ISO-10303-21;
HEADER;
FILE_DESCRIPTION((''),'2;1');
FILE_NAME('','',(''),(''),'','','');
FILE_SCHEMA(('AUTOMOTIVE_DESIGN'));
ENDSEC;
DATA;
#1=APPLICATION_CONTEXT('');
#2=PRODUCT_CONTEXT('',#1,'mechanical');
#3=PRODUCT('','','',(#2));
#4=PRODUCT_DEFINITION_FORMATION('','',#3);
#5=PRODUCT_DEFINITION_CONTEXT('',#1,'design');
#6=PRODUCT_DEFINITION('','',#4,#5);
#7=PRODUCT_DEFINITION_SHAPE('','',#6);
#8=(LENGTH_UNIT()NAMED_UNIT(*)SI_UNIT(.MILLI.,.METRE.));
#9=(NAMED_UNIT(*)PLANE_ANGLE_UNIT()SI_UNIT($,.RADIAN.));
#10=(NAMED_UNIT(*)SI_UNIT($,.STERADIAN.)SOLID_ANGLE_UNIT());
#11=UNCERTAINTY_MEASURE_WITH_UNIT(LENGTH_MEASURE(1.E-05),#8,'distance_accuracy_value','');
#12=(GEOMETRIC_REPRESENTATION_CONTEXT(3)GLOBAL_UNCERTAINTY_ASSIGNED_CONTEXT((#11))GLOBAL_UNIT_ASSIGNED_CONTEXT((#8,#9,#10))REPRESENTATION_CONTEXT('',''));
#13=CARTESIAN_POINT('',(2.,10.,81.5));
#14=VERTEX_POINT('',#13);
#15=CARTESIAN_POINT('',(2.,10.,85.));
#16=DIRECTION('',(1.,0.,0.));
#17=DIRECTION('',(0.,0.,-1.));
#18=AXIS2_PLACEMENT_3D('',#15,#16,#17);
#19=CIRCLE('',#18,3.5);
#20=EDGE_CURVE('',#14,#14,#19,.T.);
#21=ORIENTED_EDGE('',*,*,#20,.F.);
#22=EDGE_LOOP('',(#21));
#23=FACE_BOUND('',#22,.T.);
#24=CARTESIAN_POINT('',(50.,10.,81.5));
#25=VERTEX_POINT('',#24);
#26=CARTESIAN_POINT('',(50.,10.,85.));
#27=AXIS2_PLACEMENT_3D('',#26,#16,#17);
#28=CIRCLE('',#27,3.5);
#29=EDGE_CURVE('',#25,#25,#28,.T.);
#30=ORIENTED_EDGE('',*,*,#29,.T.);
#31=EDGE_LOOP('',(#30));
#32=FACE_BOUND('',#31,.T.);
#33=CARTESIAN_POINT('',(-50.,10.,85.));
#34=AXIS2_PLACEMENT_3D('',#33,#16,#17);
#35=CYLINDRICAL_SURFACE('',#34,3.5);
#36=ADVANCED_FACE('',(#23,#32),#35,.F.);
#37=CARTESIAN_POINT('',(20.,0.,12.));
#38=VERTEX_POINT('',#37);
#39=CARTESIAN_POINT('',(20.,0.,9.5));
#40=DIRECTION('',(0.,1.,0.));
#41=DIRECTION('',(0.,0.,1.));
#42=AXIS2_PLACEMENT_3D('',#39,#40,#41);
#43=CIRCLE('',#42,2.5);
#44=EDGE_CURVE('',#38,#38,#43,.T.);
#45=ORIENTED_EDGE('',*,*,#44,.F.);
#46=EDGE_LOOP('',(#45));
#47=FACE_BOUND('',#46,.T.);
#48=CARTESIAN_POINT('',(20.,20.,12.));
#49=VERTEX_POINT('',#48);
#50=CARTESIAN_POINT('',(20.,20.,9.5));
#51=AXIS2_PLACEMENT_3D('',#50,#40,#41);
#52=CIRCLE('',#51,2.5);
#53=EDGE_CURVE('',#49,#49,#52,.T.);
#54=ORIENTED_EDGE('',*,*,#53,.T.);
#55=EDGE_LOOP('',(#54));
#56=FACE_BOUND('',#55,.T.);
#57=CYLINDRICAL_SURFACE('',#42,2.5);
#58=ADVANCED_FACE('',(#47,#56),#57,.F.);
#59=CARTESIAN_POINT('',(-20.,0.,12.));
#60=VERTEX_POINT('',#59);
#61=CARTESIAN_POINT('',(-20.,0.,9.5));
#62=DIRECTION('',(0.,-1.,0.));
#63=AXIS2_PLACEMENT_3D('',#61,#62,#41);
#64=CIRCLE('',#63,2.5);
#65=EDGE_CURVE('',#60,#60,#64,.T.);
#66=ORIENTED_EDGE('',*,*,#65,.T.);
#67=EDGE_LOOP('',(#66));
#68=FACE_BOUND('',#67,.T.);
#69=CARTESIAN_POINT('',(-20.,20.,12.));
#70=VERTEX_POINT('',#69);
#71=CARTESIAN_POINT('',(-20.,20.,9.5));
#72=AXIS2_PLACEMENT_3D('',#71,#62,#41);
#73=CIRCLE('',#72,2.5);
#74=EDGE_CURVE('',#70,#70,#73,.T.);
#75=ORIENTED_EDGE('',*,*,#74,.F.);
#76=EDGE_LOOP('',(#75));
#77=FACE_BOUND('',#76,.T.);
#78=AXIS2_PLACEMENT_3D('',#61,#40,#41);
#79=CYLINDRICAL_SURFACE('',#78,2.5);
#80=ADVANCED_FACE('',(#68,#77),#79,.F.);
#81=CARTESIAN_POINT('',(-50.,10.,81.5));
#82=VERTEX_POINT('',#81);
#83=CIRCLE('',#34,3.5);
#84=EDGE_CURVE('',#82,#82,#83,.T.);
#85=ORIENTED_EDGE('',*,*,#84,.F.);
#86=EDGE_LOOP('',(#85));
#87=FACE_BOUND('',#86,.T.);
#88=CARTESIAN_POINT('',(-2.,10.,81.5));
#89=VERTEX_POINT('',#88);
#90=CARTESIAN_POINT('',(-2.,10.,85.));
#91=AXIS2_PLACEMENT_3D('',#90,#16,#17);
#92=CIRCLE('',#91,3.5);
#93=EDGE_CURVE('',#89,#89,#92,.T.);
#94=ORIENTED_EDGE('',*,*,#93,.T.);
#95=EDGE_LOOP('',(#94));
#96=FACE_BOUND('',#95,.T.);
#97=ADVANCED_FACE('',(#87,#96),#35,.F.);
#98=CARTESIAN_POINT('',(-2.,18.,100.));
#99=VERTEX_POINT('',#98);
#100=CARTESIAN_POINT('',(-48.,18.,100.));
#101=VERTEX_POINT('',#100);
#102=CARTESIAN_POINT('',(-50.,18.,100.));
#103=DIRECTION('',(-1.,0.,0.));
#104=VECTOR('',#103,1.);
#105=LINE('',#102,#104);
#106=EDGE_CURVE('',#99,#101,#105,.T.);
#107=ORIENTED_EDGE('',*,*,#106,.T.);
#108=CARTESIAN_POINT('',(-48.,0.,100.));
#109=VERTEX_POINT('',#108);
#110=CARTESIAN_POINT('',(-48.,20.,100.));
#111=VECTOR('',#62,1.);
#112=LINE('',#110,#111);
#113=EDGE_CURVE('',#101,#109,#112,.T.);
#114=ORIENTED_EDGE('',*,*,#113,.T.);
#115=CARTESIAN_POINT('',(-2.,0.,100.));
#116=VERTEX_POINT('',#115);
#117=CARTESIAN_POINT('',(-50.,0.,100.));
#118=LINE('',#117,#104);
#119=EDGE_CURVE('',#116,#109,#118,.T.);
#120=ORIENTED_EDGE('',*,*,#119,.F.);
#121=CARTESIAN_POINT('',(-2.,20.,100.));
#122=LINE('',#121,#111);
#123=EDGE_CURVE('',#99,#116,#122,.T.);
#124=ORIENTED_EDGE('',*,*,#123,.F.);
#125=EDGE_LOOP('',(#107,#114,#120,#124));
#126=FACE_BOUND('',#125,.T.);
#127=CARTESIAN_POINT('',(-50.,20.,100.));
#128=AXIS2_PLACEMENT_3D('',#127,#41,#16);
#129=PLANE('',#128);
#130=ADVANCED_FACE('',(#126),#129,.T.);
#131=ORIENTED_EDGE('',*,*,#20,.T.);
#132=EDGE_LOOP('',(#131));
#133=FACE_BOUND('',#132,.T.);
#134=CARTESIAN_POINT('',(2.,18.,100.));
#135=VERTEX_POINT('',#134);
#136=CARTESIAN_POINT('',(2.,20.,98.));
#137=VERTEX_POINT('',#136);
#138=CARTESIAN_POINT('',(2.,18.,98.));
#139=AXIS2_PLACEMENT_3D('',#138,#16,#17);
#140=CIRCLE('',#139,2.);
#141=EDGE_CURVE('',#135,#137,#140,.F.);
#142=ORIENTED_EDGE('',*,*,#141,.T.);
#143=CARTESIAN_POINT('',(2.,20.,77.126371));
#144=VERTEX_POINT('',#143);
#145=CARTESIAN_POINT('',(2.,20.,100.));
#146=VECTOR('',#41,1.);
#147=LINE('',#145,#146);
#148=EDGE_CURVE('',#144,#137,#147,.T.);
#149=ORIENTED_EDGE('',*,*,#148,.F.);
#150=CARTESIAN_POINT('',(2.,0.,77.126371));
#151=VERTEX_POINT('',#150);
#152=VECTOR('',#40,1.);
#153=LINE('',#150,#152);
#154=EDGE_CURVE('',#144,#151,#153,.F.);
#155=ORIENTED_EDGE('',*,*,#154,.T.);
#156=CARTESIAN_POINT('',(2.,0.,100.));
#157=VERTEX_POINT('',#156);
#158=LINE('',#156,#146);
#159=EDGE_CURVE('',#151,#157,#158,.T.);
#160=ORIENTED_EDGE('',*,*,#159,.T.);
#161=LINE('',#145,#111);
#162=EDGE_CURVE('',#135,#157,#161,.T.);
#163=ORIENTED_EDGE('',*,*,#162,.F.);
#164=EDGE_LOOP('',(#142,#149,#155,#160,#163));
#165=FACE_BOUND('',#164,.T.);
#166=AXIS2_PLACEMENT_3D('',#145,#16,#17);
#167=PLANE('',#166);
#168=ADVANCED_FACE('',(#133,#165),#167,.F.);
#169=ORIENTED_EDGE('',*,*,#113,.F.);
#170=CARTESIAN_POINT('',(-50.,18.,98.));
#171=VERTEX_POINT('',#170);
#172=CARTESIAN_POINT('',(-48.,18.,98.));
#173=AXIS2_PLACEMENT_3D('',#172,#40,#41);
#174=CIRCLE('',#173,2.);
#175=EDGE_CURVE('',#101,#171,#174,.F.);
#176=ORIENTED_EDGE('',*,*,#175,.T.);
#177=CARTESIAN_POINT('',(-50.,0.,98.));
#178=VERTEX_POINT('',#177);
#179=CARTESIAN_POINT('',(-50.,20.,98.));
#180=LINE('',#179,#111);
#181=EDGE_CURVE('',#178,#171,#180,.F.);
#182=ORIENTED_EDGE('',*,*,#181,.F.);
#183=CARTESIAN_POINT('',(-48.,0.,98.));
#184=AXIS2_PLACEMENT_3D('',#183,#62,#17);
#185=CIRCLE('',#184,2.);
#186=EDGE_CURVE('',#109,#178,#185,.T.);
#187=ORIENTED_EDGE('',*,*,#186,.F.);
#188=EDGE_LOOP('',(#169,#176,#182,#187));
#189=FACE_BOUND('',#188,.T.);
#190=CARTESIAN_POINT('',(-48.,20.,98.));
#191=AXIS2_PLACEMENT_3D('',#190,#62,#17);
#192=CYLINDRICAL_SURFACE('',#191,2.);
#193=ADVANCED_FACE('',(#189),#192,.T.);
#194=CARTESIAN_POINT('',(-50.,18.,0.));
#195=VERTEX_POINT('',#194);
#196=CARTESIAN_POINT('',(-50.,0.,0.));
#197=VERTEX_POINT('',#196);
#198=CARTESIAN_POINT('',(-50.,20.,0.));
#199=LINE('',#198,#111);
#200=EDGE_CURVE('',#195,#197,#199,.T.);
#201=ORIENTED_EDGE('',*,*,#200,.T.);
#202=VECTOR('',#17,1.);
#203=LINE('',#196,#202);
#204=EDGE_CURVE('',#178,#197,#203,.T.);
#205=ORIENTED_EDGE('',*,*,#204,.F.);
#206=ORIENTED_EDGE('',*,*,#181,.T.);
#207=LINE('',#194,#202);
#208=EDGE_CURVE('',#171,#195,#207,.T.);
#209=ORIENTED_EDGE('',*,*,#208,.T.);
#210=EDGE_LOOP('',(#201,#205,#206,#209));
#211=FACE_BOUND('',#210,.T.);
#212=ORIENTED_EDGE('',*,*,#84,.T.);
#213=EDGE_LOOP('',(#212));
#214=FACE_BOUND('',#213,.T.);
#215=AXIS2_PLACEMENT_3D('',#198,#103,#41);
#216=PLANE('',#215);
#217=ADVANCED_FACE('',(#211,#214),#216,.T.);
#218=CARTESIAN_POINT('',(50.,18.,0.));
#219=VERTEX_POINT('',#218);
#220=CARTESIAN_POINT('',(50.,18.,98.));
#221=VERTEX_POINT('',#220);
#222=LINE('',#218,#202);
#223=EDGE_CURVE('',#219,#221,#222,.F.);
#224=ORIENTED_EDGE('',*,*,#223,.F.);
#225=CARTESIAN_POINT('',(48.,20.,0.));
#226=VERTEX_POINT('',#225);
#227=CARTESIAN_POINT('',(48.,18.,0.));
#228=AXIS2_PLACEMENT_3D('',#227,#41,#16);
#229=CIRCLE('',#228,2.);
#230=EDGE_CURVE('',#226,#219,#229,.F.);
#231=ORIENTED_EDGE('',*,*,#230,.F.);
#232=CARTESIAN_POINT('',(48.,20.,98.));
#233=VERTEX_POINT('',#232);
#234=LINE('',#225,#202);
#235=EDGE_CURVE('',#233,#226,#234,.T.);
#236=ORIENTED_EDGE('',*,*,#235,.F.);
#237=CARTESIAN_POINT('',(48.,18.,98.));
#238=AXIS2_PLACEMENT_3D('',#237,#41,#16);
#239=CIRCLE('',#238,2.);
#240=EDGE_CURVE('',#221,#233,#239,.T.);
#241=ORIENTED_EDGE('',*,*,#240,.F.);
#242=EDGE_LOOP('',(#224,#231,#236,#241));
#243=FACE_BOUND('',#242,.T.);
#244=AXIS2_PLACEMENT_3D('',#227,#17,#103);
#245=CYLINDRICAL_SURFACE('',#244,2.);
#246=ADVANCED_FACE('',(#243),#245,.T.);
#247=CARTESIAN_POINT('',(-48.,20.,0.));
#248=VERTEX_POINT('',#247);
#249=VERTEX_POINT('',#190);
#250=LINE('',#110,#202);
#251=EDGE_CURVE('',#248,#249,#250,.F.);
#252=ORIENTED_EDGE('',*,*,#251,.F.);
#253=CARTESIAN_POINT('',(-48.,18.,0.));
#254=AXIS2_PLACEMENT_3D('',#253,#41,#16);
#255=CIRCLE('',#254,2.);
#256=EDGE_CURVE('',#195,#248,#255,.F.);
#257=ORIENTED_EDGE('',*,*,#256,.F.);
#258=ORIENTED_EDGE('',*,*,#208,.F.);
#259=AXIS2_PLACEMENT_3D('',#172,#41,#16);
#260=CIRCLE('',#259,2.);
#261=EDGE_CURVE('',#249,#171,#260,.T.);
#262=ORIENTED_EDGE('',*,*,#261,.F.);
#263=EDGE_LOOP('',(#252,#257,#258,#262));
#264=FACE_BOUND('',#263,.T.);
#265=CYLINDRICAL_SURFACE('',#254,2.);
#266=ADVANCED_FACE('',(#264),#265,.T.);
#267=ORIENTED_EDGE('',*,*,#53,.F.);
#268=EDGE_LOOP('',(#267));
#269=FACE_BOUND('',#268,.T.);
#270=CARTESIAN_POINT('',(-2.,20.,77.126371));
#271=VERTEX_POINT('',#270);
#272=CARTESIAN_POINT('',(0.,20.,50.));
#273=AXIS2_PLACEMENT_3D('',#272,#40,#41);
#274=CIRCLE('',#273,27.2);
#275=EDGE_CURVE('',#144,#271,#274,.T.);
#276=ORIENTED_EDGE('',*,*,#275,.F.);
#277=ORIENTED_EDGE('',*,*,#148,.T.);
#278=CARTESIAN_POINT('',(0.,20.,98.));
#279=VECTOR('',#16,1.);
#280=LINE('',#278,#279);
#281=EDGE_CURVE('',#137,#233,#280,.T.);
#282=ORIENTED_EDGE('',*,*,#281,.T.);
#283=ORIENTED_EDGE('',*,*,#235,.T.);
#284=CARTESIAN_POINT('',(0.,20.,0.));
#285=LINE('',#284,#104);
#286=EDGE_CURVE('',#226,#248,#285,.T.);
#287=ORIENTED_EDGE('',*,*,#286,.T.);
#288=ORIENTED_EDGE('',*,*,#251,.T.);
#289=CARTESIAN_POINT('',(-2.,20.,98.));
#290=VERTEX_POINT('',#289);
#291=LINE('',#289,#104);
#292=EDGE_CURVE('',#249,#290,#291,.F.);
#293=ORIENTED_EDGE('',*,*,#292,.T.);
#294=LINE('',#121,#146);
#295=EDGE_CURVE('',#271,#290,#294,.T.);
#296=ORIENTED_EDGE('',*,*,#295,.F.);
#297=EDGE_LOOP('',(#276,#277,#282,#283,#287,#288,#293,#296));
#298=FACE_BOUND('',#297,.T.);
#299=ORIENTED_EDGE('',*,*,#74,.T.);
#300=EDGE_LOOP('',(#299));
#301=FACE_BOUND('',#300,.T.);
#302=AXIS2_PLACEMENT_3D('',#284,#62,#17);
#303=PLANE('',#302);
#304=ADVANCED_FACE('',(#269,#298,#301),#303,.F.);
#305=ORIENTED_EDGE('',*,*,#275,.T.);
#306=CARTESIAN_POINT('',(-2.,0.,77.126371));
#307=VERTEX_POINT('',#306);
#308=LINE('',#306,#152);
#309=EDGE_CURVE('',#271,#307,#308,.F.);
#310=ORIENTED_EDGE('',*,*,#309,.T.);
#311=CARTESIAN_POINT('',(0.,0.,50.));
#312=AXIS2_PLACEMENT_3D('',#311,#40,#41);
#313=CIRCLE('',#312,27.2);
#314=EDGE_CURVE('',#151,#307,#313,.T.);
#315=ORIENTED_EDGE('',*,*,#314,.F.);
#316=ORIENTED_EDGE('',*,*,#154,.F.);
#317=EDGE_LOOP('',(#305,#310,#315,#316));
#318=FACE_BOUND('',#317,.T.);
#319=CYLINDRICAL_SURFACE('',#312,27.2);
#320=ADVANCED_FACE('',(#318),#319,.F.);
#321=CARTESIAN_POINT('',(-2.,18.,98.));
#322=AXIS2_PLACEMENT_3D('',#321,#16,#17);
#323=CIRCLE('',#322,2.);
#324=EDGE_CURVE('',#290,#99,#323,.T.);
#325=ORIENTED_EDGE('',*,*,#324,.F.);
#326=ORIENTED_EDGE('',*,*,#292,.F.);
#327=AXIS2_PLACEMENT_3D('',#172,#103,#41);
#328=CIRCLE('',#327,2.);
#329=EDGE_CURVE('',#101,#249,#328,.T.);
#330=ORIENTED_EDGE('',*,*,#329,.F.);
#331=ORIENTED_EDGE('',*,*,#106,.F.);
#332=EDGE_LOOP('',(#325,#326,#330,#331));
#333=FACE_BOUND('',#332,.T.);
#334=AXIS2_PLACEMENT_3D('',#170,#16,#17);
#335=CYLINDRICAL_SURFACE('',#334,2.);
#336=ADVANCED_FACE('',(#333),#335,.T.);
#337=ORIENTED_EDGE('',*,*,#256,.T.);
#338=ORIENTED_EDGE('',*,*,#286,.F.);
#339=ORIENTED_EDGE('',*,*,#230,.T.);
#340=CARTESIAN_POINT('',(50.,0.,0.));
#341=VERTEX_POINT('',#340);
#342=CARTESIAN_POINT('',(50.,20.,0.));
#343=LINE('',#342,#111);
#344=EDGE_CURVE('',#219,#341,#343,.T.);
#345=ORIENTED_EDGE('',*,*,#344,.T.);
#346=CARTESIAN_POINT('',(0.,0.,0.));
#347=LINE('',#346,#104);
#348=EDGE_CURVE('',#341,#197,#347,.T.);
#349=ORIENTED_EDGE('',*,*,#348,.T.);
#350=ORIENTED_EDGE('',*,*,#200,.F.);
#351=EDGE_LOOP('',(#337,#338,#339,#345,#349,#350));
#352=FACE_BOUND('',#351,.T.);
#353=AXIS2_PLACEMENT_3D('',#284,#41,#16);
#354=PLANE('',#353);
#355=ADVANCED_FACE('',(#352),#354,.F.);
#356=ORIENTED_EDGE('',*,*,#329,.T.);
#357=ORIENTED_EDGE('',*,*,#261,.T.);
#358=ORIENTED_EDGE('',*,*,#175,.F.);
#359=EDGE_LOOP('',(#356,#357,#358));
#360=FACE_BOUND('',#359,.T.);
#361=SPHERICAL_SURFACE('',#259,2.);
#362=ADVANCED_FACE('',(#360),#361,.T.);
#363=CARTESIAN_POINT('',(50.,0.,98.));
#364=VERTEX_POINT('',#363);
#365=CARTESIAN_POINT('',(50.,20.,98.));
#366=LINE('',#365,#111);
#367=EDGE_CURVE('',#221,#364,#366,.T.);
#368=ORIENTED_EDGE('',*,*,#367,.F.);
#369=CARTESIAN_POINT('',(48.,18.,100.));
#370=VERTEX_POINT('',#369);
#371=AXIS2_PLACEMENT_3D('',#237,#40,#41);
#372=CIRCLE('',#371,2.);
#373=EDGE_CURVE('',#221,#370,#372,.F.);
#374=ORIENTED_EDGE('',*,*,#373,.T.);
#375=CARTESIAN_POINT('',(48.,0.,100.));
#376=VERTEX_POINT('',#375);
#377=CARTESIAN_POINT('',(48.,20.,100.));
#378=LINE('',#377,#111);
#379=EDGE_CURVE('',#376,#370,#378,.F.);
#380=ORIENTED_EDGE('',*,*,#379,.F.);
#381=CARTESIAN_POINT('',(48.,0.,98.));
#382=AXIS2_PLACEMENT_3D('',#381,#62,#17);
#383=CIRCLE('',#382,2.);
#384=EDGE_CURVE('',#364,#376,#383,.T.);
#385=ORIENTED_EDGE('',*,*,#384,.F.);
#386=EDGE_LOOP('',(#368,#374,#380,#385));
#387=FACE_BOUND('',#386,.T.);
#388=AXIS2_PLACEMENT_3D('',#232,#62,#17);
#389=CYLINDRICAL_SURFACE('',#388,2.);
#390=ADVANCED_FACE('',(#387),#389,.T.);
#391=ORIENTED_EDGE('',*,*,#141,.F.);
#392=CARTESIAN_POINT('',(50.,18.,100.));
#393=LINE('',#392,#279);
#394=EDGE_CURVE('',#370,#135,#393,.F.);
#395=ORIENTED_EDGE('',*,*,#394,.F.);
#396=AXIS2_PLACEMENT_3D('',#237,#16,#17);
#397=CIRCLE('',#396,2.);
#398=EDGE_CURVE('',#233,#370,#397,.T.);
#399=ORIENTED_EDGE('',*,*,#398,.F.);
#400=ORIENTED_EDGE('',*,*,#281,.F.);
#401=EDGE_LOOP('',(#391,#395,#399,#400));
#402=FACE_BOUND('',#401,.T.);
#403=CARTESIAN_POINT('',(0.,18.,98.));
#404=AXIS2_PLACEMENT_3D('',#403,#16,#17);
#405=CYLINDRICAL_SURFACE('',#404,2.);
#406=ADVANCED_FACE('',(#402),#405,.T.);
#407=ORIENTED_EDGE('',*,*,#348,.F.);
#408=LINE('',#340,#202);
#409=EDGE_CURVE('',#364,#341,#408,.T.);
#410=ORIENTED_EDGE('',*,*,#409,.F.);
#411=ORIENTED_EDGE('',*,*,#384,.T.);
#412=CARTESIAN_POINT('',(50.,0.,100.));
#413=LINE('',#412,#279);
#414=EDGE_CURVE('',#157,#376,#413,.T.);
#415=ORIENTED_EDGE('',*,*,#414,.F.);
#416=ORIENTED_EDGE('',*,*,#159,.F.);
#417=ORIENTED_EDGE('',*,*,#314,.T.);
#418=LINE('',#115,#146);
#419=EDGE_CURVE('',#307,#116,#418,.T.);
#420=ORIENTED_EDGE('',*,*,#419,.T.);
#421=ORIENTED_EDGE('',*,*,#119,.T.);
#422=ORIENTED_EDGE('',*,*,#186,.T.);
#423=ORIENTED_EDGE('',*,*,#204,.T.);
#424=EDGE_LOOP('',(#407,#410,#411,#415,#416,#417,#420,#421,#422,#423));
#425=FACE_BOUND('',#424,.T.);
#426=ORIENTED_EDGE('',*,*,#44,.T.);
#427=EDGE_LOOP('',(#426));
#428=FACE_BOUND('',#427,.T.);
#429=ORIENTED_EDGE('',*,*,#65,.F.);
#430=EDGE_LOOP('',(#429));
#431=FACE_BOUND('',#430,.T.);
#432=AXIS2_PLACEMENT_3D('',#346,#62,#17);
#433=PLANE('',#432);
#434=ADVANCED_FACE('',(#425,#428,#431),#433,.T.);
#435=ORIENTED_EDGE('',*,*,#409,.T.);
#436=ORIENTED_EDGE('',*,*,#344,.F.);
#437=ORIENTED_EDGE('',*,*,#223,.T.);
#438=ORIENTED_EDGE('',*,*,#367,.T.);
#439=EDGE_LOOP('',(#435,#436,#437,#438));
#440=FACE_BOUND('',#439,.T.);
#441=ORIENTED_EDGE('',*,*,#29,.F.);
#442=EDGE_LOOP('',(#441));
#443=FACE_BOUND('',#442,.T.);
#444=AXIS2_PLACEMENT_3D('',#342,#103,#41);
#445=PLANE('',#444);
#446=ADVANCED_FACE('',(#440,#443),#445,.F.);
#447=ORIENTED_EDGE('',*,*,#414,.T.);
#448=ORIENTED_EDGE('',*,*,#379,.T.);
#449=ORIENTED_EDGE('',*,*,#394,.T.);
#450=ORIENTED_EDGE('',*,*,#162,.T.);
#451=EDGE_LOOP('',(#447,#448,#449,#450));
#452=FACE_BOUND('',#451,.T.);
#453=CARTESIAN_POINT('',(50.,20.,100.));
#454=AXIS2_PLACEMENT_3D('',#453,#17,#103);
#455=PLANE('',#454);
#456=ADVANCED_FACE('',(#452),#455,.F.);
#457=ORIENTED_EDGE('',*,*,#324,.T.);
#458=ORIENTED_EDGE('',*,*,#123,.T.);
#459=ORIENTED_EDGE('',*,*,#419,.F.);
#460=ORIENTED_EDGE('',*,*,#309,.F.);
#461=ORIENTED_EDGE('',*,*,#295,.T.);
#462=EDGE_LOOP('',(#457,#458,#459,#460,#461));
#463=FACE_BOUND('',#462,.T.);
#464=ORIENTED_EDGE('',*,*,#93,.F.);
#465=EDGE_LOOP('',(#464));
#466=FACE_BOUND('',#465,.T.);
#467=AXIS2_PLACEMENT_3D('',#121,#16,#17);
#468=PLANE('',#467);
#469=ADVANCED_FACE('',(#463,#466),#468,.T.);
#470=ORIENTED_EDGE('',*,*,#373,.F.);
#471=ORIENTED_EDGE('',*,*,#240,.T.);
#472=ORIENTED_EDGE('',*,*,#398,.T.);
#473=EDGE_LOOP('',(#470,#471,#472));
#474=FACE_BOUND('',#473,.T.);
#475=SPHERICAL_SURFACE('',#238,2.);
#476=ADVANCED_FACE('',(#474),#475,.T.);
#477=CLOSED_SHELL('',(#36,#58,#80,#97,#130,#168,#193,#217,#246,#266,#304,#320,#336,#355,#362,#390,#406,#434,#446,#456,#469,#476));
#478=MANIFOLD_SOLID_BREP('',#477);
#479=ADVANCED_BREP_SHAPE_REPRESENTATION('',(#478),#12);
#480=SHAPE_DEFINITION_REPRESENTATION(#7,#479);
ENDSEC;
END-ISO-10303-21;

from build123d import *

# Parameters (mm, degrees)
BOSS_EXTRU_1_DEPTH      = 20
ESQUISSE2_R             = 27.2
ENL_V_MAT_EXTRU_1_DEPTH = 20
ESQUISSE3_R             = 2.5
ENL_V_MAT_EXTRU_2_DEPTH = 20
ESQUISSE4_R             = 3.5
ENL_V_MAT_EXTRU_3_DEPTH = 143.828568571
CONG_1_R                = 2


with BuildPart() as part:
    # Esquisse1 → Boss.-Extru.1 (new body)
    with BuildSketch(Plane(origin=(0, 0, 0), x_dir=(1, 0, 0), z_dir=(0, 1, 0))):
        Polygon((0, 0), (50, 0), (50, -100), (2, -100), (2, -50), (0, -50), align=None)
    boss_extru_1 = extrude(amount=BOSS_EXTRU_1_DEPTH)

    # Symétrie1: Boss.-Extru.1 across plane
    add(boss_extru_1.mirror(Plane(origin=(0, 0, 0), x_dir=(0, 0, 1), z_dir=(1, 0, 0))))

    # Esquisse2 → Enlèv. mat.-Extru.1 (cut)
    with BuildSketch(Plane(origin=(0, 20, 0), x_dir=(1, 0, 0), z_dir=(0, 1, 0))):
        with Locations((0, -50)):
            Circle(ESQUISSE2_R)
    extrude(amount=-ENL_V_MAT_EXTRU_1_DEPTH, mode=Mode.SUBTRACT)

    # Esquisse3 → Enlèv. mat.-Extru.2 (cut)
    with BuildSketch(Plane(origin=(0, 20, 0), x_dir=(1, 0, 0), z_dir=(0, 1, 0))):
        with Locations(Location((20, -9.5, 0), (0, 0, 270))):
            Circle(ESQUISSE3_R)
    enl_v_mat_extru_2 = extrude(amount=-ENL_V_MAT_EXTRU_2_DEPTH, mode=Mode.SUBTRACT)

    # Symétrie3: Enlèv. mat.-Extru.2 across plane
    add(enl_v_mat_extru_2.mirror(Plane(origin=(0, 0, 0), x_dir=(0, 0, 1), z_dir=(1, 0, 0))), mode=Mode.SUBTRACT)

    # Esquisse4 → Enlèv. mat.-Extru.3 (cut, through all)
    with BuildSketch(Plane(origin=(50, 0, 0), x_dir=(0, 0, -1), z_dir=(1, 0, 0))):
        with Locations((-85, 10)):
            Circle(ESQUISSE4_R)
    extrude(amount=-ENL_V_MAT_EXTRU_3_DEPTH, mode=Mode.SUBTRACT)

    # Congé1
    cong_1_edges = [part.edges().sort_by_distance(p)[0] for p in [
        (50, 10, 100),
        (26, 20, 100),
        (50, 20, 50),
        (-50, 20, 50),
        (-26, 20, 100),
        (-50, 10, 100),
    ]]
    fillet(cong_1_edges, radius=CONG_1_R)


solid = part.part
